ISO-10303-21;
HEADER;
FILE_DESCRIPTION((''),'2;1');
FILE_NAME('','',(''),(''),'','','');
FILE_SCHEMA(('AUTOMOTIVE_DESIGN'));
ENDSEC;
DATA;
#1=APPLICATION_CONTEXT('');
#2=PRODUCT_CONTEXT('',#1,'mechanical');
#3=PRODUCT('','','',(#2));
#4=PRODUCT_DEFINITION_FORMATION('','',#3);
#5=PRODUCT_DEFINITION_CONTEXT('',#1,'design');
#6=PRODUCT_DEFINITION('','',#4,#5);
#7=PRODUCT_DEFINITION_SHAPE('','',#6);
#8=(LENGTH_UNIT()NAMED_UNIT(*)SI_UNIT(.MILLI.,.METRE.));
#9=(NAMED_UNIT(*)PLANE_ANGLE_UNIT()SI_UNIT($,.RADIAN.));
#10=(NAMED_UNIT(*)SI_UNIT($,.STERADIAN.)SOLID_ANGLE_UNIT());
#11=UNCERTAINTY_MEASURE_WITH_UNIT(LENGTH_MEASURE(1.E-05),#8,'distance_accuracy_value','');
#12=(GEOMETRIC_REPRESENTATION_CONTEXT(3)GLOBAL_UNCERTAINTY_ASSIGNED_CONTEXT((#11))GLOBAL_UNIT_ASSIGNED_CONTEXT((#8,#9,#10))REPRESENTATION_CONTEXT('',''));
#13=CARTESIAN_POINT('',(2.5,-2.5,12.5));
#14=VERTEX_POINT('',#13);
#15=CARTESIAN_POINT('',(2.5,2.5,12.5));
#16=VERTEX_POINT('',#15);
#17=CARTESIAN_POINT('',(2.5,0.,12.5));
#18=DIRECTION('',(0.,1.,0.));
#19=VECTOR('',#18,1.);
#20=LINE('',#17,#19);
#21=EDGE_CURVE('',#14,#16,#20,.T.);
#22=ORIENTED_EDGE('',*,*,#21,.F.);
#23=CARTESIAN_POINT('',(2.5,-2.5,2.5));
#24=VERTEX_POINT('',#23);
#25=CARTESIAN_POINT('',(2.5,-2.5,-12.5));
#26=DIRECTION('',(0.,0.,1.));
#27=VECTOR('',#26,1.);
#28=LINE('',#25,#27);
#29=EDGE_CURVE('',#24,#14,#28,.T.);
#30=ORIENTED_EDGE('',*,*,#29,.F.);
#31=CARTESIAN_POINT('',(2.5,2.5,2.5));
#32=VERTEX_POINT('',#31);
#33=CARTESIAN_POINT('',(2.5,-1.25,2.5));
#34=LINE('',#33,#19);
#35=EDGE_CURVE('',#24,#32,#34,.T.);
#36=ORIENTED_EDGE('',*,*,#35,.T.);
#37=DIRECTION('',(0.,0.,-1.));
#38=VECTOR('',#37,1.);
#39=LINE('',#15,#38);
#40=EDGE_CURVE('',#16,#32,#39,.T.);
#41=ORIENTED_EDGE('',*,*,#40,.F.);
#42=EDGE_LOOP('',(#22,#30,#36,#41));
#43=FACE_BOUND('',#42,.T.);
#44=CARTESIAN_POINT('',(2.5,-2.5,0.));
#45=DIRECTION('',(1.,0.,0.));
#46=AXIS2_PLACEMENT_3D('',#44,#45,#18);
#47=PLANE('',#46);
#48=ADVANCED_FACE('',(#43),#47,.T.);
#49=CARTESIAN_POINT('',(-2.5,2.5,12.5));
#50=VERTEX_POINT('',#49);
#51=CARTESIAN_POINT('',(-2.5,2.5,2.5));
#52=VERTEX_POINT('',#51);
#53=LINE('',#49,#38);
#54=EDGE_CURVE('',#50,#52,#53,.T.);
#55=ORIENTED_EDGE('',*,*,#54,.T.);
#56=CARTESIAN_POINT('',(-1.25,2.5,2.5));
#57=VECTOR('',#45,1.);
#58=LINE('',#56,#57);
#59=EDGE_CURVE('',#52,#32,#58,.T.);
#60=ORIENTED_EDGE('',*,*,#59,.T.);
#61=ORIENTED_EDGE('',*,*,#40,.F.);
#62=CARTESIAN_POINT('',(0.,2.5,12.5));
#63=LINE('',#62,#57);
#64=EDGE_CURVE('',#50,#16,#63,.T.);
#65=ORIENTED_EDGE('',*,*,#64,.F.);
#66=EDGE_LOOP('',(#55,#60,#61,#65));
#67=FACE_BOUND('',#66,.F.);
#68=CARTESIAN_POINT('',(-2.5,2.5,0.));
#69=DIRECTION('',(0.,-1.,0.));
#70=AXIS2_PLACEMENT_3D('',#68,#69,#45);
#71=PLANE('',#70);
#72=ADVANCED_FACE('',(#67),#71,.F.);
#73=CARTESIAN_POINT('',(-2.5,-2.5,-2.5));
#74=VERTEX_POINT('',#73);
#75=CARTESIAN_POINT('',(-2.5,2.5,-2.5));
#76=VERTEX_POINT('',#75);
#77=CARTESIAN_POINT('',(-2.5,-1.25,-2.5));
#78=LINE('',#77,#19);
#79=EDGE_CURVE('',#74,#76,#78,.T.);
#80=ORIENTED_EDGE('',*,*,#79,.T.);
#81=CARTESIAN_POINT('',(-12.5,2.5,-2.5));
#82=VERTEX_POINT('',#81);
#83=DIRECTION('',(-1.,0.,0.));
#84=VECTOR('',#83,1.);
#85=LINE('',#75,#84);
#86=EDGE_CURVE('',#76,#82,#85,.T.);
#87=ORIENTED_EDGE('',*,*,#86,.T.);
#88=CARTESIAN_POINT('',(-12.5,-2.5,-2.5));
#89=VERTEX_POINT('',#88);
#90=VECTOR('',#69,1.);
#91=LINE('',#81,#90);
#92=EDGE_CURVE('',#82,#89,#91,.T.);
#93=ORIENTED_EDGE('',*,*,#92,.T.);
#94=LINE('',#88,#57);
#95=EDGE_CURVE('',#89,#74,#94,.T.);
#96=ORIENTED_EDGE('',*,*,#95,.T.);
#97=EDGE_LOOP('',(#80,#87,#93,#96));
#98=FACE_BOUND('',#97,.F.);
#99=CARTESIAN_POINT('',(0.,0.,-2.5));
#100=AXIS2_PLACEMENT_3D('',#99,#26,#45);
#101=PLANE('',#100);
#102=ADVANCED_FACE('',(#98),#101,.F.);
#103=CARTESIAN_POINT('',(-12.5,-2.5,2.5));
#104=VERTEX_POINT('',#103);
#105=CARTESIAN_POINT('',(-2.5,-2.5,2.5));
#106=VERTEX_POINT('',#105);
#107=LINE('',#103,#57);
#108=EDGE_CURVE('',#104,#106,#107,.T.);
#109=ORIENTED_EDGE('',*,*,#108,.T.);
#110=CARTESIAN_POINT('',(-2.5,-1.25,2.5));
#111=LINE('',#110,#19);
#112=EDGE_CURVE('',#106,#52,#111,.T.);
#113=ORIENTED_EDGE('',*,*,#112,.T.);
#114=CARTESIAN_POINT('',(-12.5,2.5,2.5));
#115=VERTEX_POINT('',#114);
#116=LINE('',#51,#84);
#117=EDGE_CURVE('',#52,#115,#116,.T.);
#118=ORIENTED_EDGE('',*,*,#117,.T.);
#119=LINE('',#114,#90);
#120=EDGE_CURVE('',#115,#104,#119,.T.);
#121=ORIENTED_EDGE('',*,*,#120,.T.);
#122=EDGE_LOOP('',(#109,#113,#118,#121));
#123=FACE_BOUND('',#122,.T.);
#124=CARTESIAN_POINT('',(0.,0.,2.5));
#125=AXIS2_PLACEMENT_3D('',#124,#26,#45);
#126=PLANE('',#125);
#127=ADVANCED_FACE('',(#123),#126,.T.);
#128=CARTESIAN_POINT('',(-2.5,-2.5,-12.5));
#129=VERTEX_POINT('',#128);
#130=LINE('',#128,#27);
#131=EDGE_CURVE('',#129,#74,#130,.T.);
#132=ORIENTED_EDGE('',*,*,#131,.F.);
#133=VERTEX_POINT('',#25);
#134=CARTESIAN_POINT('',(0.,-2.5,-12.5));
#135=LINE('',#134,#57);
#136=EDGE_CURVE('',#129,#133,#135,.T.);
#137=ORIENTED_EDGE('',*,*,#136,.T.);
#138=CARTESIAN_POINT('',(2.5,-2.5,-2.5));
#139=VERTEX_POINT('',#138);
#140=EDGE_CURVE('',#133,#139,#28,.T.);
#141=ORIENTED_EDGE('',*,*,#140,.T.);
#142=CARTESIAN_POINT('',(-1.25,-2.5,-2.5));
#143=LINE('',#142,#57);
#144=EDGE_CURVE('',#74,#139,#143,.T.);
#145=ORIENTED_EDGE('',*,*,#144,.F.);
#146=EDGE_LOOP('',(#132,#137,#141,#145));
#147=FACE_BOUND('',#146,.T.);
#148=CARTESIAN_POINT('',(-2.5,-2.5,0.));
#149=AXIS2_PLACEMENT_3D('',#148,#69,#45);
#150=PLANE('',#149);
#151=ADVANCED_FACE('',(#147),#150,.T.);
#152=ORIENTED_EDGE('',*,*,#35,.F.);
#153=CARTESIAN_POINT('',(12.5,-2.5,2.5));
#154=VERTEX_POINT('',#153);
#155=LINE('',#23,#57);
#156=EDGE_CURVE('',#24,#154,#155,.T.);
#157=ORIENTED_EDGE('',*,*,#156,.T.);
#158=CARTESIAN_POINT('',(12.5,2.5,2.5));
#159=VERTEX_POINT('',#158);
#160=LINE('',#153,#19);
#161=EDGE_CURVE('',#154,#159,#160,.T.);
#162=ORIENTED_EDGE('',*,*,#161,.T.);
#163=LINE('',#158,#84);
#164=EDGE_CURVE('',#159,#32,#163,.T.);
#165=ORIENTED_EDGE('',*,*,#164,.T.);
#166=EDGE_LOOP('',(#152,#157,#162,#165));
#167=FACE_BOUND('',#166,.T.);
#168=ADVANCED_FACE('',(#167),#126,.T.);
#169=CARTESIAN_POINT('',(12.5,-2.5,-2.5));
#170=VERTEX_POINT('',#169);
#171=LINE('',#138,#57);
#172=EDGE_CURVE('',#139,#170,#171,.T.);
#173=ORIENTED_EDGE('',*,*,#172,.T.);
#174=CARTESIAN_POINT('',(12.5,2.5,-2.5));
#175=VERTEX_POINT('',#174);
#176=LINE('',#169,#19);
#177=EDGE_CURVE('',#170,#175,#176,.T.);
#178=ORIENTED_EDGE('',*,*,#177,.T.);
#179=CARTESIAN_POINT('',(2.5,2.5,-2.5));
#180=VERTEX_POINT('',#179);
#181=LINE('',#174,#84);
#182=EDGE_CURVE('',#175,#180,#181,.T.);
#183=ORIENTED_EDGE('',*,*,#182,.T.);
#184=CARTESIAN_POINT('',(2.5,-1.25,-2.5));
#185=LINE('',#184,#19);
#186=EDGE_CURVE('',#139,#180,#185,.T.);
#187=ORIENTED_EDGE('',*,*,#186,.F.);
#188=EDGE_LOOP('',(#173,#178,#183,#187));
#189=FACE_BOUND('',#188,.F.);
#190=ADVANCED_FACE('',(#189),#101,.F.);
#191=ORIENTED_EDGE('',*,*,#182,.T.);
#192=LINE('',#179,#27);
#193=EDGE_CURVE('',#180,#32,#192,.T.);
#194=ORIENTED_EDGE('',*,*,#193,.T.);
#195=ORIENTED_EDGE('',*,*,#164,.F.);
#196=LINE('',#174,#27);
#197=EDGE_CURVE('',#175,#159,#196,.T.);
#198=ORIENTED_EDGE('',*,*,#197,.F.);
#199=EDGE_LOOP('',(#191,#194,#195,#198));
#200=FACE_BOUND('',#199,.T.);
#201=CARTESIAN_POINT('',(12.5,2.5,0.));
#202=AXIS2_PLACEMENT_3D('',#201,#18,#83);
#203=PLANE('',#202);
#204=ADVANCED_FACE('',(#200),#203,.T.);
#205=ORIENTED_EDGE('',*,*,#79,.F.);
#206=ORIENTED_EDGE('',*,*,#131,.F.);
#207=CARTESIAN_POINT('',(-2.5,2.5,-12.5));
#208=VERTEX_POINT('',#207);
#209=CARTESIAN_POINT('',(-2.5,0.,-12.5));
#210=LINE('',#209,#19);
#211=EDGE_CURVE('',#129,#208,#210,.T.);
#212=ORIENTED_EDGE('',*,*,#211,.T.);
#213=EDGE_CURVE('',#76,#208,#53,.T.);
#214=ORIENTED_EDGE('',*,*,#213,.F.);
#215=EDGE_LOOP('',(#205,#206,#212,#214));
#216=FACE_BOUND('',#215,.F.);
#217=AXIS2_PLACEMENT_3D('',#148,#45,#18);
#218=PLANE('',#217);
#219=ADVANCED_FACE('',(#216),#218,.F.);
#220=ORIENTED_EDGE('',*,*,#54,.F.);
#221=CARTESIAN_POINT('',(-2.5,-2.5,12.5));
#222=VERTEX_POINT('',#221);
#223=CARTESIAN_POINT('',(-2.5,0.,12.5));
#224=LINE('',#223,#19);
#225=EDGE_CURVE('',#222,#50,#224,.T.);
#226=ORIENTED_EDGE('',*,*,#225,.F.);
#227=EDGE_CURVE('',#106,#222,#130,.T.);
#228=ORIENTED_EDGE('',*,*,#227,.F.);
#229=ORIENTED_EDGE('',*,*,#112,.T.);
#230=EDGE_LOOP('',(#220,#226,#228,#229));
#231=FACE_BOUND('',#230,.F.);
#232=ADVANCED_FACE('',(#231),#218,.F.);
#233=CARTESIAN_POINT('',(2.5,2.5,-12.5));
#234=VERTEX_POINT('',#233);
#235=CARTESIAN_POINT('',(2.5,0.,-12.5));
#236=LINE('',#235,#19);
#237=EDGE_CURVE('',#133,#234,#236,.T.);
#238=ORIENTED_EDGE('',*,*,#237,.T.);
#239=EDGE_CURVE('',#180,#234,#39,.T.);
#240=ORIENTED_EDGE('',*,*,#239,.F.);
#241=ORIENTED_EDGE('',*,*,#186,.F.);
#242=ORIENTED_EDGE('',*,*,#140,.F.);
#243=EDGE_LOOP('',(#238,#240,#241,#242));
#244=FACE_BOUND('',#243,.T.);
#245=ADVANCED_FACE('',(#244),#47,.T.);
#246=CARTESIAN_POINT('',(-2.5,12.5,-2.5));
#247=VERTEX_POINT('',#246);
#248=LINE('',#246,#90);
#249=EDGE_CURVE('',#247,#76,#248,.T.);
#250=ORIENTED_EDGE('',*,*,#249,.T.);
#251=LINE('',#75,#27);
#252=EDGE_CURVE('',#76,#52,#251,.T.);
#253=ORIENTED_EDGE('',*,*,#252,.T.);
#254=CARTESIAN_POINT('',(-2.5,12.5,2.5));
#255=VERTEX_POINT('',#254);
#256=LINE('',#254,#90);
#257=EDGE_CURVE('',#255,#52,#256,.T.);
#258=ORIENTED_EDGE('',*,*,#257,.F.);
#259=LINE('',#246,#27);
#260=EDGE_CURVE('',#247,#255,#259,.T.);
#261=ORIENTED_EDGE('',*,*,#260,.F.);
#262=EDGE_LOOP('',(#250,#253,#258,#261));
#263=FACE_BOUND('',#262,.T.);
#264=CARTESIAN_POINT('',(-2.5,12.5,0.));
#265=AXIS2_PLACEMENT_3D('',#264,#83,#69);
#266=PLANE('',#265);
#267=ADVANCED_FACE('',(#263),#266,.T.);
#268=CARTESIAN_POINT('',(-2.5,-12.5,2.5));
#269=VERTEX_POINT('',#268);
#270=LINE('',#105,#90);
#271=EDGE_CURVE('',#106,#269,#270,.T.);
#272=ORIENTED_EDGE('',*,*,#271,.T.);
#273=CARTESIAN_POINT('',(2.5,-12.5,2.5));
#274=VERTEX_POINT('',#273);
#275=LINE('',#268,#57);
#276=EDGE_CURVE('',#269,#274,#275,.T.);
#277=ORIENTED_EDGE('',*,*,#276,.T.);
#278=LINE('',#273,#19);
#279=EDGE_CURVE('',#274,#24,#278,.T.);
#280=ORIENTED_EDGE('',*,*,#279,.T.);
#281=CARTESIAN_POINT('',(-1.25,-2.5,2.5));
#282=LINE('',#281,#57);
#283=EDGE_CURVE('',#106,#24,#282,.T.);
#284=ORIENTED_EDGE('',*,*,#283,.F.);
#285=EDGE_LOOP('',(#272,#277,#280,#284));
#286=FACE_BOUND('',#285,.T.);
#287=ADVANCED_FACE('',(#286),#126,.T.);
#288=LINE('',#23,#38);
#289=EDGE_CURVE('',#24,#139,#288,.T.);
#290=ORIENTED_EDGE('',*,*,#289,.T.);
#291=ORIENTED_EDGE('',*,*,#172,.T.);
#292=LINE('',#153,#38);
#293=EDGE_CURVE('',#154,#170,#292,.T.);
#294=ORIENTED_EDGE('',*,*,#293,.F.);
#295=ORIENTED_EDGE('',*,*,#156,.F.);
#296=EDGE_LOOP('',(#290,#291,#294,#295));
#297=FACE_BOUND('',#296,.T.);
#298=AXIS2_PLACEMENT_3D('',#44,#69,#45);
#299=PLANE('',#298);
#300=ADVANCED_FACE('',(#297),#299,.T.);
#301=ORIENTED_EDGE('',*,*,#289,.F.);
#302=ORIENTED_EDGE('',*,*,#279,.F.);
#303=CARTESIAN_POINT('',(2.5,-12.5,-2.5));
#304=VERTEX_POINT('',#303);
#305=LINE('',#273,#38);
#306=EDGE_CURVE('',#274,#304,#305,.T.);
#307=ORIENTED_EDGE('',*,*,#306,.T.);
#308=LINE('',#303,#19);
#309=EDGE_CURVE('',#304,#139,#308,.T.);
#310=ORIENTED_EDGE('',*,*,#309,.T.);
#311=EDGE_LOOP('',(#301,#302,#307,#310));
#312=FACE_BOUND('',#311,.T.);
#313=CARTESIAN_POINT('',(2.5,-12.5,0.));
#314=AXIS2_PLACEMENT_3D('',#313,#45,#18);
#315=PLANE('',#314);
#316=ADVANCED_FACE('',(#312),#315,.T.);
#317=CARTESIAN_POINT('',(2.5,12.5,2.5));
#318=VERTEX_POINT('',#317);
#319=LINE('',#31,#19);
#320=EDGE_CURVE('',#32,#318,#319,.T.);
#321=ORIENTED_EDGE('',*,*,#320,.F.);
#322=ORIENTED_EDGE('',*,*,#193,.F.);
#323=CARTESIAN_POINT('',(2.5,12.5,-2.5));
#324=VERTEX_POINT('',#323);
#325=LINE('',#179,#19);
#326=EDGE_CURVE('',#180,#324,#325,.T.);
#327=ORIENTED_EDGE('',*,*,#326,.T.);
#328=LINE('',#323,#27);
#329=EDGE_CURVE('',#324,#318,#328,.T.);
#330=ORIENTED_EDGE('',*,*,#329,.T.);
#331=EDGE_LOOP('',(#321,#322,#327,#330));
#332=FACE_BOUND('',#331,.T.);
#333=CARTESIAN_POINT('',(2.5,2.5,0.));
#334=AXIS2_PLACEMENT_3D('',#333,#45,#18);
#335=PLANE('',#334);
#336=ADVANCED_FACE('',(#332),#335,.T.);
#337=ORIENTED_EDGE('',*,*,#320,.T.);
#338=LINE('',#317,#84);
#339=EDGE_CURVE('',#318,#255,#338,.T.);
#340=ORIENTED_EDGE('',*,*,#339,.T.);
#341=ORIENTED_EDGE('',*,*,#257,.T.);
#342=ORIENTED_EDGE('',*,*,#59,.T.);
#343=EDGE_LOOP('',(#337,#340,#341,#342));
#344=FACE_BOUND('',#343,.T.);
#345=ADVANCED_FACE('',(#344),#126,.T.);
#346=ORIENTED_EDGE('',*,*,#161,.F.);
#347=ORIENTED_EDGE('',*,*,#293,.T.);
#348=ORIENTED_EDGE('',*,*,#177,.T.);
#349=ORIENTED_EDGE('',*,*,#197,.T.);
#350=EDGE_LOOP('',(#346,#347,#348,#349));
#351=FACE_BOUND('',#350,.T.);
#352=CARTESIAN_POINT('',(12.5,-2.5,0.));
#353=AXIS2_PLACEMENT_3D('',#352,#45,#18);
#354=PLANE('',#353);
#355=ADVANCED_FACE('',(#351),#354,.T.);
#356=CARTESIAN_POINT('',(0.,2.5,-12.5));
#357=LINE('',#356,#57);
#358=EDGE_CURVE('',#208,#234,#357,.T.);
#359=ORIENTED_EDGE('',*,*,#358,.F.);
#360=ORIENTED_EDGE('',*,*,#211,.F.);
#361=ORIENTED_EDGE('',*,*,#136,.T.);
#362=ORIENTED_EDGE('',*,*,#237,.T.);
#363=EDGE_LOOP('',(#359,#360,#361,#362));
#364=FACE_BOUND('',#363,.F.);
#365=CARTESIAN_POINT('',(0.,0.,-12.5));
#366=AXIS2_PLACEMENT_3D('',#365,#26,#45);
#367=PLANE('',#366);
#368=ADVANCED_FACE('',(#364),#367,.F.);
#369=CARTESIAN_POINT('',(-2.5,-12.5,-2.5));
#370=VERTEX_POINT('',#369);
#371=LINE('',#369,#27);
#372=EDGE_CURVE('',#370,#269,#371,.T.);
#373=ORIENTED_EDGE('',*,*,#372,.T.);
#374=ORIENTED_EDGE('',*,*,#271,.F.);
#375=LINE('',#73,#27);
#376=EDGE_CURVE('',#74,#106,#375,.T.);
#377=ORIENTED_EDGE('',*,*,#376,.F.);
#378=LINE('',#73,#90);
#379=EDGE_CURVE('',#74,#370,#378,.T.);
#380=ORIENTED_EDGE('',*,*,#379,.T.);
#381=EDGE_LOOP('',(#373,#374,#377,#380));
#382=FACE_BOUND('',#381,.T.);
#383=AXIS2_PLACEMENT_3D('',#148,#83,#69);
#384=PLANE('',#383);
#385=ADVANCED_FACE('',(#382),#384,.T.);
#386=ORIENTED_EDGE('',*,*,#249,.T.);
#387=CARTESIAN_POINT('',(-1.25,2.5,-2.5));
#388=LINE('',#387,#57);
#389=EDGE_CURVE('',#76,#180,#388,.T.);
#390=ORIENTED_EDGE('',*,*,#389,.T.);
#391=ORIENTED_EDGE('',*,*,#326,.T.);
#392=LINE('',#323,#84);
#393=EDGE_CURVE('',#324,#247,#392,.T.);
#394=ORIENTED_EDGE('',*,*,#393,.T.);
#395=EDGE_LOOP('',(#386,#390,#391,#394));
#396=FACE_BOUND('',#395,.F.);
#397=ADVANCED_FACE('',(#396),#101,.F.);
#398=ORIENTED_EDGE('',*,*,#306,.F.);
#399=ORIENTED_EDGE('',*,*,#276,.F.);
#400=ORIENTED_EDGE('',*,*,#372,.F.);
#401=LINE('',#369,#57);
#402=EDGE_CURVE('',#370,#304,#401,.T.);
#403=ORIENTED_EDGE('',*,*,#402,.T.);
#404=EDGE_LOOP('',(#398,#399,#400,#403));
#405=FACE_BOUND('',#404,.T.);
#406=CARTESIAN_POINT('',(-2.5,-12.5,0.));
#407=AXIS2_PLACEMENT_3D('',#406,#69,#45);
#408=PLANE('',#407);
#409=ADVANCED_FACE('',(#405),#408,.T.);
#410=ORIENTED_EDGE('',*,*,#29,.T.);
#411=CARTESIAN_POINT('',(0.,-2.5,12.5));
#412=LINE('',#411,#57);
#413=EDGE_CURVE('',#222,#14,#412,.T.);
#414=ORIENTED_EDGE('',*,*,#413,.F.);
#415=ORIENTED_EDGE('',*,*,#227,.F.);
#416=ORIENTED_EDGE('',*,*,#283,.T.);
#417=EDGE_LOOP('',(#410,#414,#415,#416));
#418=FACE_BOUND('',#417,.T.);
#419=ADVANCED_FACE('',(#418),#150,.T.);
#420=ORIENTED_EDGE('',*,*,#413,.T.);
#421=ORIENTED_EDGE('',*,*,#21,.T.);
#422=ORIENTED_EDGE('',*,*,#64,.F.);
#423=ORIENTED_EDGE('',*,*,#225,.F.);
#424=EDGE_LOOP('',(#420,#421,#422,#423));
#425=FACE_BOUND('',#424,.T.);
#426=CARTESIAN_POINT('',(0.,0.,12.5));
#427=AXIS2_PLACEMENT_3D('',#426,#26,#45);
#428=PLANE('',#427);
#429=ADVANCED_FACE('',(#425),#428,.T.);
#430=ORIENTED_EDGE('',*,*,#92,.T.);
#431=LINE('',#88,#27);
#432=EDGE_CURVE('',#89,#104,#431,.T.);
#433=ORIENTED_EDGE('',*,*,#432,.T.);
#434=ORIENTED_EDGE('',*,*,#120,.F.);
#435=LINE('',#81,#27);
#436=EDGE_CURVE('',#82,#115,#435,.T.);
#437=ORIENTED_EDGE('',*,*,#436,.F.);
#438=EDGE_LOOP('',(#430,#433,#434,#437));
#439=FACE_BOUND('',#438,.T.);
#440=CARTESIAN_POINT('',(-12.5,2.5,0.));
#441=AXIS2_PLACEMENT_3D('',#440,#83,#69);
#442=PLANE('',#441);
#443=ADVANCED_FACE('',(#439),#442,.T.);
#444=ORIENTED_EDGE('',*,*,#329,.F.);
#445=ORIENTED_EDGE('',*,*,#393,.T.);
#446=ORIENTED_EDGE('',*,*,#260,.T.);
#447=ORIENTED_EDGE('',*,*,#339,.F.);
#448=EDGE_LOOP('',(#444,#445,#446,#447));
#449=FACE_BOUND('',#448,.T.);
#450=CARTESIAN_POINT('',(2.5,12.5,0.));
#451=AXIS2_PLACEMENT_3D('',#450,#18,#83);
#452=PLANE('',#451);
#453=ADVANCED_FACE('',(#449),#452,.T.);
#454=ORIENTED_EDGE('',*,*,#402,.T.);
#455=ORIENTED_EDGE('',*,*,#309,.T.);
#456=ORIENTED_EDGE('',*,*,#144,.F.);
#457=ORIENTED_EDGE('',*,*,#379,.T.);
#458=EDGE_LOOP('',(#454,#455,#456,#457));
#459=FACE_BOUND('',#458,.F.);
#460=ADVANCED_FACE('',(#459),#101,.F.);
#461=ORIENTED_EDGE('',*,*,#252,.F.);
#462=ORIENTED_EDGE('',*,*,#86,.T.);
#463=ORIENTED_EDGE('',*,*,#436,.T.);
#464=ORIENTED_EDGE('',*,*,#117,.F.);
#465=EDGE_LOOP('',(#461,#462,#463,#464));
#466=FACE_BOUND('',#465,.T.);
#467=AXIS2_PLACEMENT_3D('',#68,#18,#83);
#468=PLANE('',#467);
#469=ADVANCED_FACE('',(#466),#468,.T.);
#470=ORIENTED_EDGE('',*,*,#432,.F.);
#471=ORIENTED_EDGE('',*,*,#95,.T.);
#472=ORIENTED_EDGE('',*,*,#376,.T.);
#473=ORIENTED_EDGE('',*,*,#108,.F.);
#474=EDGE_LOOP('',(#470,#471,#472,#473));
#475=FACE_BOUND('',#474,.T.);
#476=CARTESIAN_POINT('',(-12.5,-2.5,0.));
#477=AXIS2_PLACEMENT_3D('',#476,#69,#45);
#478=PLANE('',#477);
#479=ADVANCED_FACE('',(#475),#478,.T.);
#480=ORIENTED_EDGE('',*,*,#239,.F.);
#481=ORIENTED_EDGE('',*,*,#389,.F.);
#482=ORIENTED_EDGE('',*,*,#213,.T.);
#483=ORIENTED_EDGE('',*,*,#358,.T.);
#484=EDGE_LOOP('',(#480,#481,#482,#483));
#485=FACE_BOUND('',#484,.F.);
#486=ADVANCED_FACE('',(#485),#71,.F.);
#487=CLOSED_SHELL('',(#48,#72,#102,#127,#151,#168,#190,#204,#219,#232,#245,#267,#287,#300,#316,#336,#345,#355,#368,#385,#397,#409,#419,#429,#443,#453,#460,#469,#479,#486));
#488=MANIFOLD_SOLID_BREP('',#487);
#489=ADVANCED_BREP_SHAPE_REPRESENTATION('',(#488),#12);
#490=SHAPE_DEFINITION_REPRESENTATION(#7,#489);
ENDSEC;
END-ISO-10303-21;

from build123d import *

# Parameters (mm, degrees)
F1_DEPTH = 2.5
F2_W     = 5
F2_H     = 5
F3_DEPTH = 12.5


with BuildPart() as f1:
    # F0 (on Top) → F1 (new body, symmetric)
    with BuildSketch(Plane.XY):
        Polygon((12.5, -2.5), (12.5, 2.5), (2.5, 2.5), (2.5, 12.5), (-2.5, 12.5), (-2.5, 2.5), (-12.5, 2.5), (-12.5, -2.5), (-2.5, -2.5), (-2.5, -12.5), (2.5, -12.5), (2.5, -2.5), align=None)
    extrude(amount=F1_DEPTH, both=True)

    # F2 (on Top) → F3 (join, symmetric)
    with BuildSketch(Plane.XY):
        Rectangle(F2_W, F2_H)
    extrude(amount=F3_DEPTH, both=True)


solid = f1.part
